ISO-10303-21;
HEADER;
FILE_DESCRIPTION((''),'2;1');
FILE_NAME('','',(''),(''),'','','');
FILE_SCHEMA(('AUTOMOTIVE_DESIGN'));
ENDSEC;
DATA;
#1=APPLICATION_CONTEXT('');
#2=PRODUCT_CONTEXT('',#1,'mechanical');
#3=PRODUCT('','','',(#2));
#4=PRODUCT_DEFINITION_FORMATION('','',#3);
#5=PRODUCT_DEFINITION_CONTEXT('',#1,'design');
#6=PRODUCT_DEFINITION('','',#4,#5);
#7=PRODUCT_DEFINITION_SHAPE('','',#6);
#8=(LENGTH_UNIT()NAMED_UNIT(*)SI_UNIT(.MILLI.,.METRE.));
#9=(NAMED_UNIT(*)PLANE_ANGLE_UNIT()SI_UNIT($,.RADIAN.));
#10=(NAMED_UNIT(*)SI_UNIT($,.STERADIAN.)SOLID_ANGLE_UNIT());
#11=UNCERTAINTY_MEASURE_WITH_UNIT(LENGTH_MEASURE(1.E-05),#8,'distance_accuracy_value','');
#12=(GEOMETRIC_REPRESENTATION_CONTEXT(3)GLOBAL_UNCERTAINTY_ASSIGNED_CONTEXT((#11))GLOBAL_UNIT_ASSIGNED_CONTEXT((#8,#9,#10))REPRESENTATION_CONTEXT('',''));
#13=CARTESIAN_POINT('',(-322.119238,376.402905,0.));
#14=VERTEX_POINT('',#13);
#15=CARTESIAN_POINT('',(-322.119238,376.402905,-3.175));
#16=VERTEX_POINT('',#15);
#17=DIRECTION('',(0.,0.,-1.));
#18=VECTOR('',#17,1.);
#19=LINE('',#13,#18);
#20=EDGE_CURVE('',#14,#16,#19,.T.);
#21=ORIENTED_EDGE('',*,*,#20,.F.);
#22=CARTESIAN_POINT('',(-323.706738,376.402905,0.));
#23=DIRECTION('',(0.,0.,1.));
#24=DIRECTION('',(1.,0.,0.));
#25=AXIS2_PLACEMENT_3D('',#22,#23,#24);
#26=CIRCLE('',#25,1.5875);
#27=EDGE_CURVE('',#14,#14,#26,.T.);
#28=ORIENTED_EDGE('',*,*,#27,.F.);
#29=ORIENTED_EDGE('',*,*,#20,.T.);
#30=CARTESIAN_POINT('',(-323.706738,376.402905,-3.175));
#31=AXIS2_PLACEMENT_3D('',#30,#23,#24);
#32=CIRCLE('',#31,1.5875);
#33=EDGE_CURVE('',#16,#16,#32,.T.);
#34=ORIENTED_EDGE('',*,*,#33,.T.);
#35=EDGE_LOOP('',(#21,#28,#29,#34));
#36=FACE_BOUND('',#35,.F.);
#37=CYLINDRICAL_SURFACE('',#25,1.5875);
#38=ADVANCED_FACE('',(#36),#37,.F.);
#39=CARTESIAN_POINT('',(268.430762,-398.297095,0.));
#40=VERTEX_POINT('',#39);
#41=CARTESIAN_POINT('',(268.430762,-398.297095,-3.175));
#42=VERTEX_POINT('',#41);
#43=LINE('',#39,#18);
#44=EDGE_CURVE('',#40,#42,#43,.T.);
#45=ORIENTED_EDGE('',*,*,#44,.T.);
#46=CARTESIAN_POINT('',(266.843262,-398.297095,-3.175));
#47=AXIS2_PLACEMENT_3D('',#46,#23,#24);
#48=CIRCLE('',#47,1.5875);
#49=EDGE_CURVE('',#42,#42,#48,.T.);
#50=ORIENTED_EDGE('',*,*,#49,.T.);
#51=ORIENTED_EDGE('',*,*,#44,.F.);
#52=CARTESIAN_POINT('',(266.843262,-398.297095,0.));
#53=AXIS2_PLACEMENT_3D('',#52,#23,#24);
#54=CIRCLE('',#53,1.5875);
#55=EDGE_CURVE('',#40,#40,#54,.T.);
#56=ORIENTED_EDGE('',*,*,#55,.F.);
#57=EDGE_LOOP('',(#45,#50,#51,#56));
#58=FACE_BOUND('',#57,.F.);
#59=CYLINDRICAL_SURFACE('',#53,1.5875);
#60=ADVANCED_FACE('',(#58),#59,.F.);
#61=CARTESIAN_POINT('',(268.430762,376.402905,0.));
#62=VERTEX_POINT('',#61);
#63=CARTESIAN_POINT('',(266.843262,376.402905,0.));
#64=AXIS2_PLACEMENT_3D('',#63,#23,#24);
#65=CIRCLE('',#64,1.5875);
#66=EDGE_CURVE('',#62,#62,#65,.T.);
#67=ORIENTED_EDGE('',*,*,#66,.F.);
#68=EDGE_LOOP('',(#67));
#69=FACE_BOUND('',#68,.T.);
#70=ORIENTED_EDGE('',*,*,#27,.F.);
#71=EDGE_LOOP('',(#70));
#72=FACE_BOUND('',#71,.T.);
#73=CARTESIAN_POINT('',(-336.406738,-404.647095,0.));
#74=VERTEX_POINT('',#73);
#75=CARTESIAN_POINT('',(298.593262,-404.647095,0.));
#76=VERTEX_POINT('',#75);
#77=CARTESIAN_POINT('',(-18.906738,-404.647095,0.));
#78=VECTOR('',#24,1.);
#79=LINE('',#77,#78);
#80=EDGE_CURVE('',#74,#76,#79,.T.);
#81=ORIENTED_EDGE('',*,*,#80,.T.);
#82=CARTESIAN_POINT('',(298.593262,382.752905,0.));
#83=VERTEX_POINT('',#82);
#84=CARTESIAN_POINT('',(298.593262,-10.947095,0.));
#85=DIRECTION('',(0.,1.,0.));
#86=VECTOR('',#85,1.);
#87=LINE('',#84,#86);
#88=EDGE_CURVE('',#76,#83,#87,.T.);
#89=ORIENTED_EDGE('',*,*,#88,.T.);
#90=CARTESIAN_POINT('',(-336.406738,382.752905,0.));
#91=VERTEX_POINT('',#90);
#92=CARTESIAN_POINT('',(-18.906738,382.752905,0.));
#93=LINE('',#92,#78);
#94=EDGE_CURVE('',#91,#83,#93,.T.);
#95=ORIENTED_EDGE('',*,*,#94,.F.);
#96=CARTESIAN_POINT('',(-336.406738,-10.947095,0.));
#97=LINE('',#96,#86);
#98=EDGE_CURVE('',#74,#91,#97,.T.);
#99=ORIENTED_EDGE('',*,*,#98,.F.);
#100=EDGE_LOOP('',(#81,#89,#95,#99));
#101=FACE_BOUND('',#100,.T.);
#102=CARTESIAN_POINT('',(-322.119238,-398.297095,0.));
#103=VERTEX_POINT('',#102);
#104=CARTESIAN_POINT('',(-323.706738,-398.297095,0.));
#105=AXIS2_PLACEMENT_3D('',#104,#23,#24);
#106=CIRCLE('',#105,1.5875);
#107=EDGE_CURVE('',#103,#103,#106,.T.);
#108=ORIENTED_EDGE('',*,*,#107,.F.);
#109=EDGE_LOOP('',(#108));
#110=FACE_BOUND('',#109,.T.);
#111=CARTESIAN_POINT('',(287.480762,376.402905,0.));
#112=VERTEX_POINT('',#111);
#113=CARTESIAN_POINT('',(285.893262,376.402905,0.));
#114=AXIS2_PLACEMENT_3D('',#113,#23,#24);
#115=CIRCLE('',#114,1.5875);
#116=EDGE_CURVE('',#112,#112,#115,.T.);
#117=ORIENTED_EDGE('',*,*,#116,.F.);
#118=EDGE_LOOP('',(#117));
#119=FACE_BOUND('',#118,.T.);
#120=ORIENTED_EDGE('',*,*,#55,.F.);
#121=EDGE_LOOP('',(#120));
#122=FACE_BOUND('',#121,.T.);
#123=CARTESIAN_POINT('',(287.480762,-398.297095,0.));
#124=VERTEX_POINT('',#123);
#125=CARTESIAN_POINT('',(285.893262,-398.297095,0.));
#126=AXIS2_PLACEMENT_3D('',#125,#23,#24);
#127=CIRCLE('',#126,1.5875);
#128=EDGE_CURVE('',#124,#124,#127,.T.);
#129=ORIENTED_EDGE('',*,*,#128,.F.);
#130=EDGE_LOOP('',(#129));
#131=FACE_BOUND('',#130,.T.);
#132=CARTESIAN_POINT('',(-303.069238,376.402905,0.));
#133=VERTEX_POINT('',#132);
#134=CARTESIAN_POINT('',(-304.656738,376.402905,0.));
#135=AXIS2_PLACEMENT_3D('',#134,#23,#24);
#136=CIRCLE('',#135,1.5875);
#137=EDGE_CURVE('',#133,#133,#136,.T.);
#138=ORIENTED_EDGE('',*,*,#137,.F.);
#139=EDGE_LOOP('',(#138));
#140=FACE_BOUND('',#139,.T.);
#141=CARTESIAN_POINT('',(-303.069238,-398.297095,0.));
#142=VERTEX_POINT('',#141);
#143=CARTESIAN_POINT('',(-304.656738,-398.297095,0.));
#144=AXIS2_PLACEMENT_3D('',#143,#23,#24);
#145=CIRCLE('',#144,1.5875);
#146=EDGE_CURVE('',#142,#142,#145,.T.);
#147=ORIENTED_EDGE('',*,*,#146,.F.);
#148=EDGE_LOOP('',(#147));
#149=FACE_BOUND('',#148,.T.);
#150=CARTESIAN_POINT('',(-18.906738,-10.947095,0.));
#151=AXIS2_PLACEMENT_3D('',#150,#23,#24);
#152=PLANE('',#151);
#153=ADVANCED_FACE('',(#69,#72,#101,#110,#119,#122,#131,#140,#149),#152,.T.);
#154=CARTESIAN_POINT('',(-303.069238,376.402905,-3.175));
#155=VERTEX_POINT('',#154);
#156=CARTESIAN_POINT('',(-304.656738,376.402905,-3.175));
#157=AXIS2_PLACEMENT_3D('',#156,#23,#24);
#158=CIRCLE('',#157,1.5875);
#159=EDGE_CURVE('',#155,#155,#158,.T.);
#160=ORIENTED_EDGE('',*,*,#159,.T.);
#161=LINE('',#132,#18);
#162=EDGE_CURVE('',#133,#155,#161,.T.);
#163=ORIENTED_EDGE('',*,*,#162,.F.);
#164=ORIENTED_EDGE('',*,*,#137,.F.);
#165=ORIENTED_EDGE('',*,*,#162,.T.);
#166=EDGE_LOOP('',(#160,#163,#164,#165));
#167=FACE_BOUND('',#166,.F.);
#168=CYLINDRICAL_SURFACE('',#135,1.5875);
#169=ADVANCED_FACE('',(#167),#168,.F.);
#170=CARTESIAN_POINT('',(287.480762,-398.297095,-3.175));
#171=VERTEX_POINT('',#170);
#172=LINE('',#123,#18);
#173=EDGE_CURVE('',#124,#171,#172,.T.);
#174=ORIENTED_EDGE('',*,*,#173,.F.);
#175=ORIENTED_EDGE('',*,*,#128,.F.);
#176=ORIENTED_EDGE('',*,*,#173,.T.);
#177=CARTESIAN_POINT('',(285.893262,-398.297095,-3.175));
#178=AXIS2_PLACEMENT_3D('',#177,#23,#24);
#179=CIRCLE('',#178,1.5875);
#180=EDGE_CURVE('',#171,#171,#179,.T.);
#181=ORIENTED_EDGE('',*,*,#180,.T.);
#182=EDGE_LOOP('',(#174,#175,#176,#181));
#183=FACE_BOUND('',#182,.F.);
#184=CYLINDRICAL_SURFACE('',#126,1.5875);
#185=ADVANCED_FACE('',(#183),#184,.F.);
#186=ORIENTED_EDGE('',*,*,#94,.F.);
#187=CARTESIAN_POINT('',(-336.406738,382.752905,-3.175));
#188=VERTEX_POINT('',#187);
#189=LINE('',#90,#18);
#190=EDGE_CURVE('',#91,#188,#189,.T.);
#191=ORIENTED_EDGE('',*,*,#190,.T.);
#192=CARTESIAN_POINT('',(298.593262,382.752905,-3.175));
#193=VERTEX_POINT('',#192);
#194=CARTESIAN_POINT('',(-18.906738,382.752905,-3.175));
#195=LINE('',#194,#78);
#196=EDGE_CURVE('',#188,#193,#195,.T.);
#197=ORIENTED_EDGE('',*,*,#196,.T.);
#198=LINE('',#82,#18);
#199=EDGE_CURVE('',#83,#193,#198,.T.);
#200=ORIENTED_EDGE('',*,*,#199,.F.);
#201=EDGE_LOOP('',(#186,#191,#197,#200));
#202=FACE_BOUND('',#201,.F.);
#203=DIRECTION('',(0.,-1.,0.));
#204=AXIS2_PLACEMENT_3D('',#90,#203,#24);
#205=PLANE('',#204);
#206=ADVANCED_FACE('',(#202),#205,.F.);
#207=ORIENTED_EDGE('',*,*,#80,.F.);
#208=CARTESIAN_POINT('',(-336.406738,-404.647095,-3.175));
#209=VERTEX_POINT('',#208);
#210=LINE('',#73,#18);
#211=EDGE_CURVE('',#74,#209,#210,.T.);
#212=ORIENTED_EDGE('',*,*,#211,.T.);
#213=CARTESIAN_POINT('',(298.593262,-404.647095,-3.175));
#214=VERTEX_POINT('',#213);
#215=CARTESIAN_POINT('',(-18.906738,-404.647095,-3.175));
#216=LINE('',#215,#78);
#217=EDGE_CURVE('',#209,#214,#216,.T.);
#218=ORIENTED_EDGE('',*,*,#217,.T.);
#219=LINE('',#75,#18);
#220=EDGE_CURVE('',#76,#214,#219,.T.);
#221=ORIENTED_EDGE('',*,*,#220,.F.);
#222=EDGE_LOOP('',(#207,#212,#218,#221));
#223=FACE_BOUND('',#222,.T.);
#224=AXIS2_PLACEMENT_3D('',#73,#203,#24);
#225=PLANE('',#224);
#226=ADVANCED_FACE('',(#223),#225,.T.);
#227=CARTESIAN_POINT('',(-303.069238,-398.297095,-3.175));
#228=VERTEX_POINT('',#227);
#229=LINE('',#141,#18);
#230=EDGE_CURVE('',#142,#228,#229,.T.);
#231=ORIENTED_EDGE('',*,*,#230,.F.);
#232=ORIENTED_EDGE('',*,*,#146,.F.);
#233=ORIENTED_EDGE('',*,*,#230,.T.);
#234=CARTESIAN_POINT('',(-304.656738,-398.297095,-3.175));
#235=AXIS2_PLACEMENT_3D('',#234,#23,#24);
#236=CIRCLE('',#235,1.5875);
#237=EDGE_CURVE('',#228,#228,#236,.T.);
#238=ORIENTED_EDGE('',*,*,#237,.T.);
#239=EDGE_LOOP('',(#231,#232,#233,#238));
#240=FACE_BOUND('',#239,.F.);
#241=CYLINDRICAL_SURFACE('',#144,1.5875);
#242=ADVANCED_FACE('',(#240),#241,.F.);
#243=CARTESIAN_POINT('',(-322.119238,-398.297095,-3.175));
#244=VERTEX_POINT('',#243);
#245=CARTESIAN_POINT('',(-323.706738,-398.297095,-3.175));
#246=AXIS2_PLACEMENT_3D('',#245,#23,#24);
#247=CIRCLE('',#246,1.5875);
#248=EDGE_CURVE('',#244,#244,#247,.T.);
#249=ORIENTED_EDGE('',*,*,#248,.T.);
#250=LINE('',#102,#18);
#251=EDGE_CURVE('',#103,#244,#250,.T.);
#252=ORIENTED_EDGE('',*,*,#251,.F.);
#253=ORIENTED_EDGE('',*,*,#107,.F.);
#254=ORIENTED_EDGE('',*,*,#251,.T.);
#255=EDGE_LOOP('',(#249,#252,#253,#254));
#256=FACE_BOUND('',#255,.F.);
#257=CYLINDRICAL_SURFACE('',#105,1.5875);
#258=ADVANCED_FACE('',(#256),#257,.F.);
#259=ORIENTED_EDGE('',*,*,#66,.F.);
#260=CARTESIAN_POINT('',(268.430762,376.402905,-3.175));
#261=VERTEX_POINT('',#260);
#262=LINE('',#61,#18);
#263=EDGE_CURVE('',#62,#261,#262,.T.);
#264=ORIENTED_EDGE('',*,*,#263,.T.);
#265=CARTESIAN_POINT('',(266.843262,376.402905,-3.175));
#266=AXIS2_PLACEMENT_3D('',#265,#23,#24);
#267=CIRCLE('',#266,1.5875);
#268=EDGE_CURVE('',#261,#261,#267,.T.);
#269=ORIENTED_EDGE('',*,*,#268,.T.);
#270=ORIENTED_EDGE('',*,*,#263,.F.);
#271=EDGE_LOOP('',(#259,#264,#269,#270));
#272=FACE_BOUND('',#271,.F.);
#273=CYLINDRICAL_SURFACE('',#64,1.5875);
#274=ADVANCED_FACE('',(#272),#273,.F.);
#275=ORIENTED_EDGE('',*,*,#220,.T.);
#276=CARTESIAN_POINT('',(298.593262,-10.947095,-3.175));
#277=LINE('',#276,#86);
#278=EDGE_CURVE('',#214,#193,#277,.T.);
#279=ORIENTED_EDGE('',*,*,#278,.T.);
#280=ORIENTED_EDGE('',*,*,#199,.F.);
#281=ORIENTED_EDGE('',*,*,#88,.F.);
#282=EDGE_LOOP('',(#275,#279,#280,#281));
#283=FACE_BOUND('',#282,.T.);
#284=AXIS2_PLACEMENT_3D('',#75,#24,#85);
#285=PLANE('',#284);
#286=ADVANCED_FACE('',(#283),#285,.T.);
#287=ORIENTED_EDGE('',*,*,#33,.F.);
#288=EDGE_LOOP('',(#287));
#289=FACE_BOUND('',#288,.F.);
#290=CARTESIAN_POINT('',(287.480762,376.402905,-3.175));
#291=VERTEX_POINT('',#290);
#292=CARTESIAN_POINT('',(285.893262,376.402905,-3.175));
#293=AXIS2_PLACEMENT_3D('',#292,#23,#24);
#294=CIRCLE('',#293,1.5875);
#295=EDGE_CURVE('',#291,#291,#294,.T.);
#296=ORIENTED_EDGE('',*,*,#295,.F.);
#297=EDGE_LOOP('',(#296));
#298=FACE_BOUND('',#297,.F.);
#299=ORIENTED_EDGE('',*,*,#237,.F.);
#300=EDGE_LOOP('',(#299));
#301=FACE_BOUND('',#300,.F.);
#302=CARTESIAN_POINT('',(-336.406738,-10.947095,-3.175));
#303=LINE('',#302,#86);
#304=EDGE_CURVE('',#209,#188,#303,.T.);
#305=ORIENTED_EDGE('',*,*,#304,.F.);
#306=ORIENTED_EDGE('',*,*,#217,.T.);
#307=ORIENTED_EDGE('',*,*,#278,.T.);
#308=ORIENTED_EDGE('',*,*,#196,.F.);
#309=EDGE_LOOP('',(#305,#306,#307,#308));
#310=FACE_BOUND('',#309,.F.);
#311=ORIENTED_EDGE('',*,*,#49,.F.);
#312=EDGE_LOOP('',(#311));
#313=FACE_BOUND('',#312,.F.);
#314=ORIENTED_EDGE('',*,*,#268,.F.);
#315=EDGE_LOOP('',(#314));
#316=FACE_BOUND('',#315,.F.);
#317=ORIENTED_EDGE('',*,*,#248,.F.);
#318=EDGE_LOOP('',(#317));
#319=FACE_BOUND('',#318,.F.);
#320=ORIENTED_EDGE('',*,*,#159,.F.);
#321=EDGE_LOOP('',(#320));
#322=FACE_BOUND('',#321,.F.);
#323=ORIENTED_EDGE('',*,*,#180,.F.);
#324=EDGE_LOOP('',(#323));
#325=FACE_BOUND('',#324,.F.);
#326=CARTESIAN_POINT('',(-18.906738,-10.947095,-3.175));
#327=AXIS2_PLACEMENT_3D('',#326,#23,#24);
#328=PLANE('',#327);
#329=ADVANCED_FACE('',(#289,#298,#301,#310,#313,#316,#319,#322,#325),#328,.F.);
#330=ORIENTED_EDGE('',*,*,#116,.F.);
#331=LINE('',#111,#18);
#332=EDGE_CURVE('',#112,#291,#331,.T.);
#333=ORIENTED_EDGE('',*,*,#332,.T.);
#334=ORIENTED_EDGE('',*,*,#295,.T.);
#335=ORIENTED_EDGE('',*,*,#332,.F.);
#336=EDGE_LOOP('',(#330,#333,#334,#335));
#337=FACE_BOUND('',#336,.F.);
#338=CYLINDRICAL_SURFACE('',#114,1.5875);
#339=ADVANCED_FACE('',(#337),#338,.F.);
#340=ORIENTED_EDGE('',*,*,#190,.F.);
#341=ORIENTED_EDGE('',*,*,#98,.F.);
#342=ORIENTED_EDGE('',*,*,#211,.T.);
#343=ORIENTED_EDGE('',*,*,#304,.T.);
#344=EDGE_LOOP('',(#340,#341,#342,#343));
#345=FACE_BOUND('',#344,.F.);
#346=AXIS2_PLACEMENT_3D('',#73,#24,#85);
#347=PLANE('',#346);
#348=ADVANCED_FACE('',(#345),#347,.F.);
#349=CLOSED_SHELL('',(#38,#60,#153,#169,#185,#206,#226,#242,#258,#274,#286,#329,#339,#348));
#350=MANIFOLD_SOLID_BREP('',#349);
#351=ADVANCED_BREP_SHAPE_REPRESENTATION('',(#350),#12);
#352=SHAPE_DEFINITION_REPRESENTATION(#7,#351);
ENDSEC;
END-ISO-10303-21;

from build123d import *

# Parameters (mm, degrees)
F0_W     = 635
F0_H     = 787.4
F0_R     = 1.5875
F1_DEPTH = 3.175


with BuildPart() as f1:
    # F0 (on Top) → F1 (new body)
    with BuildSketch(Plane.XY):
        with Locations((-18.906738, -10.947095)):
            Rectangle(F0_W, F0_H)
        with Locations((-323.706738, -398.297095)):
            Circle(F0_R, mode=Mode.SUBTRACT)
        with Locations((-304.656738, -398.297095)):
            Circle(F0_R, mode=Mode.SUBTRACT)
        with Locations((266.843262, -398.297095)):
            Circle(F0_R, mode=Mode.SUBTRACT)
        with Locations((285.893262, -398.297095)):
            Circle(F0_R, mode=Mode.SUBTRACT)
        with Locations((-323.706738, 376.402905)):
            Circle(F0_R, mode=Mode.SUBTRACT)
        with Locations((-304.656738, 376.402905)):
            Circle(F0_R, mode=Mode.SUBTRACT)
        with Locations((266.843262, 376.402905)):
            Circle(F0_R, mode=Mode.SUBTRACT)
        with Locations((285.893262, 376.402905)):
            Circle(F0_R, mode=Mode.SUBTRACT)
    extrude(amount=-F1_DEPTH)


solid = f1.part
